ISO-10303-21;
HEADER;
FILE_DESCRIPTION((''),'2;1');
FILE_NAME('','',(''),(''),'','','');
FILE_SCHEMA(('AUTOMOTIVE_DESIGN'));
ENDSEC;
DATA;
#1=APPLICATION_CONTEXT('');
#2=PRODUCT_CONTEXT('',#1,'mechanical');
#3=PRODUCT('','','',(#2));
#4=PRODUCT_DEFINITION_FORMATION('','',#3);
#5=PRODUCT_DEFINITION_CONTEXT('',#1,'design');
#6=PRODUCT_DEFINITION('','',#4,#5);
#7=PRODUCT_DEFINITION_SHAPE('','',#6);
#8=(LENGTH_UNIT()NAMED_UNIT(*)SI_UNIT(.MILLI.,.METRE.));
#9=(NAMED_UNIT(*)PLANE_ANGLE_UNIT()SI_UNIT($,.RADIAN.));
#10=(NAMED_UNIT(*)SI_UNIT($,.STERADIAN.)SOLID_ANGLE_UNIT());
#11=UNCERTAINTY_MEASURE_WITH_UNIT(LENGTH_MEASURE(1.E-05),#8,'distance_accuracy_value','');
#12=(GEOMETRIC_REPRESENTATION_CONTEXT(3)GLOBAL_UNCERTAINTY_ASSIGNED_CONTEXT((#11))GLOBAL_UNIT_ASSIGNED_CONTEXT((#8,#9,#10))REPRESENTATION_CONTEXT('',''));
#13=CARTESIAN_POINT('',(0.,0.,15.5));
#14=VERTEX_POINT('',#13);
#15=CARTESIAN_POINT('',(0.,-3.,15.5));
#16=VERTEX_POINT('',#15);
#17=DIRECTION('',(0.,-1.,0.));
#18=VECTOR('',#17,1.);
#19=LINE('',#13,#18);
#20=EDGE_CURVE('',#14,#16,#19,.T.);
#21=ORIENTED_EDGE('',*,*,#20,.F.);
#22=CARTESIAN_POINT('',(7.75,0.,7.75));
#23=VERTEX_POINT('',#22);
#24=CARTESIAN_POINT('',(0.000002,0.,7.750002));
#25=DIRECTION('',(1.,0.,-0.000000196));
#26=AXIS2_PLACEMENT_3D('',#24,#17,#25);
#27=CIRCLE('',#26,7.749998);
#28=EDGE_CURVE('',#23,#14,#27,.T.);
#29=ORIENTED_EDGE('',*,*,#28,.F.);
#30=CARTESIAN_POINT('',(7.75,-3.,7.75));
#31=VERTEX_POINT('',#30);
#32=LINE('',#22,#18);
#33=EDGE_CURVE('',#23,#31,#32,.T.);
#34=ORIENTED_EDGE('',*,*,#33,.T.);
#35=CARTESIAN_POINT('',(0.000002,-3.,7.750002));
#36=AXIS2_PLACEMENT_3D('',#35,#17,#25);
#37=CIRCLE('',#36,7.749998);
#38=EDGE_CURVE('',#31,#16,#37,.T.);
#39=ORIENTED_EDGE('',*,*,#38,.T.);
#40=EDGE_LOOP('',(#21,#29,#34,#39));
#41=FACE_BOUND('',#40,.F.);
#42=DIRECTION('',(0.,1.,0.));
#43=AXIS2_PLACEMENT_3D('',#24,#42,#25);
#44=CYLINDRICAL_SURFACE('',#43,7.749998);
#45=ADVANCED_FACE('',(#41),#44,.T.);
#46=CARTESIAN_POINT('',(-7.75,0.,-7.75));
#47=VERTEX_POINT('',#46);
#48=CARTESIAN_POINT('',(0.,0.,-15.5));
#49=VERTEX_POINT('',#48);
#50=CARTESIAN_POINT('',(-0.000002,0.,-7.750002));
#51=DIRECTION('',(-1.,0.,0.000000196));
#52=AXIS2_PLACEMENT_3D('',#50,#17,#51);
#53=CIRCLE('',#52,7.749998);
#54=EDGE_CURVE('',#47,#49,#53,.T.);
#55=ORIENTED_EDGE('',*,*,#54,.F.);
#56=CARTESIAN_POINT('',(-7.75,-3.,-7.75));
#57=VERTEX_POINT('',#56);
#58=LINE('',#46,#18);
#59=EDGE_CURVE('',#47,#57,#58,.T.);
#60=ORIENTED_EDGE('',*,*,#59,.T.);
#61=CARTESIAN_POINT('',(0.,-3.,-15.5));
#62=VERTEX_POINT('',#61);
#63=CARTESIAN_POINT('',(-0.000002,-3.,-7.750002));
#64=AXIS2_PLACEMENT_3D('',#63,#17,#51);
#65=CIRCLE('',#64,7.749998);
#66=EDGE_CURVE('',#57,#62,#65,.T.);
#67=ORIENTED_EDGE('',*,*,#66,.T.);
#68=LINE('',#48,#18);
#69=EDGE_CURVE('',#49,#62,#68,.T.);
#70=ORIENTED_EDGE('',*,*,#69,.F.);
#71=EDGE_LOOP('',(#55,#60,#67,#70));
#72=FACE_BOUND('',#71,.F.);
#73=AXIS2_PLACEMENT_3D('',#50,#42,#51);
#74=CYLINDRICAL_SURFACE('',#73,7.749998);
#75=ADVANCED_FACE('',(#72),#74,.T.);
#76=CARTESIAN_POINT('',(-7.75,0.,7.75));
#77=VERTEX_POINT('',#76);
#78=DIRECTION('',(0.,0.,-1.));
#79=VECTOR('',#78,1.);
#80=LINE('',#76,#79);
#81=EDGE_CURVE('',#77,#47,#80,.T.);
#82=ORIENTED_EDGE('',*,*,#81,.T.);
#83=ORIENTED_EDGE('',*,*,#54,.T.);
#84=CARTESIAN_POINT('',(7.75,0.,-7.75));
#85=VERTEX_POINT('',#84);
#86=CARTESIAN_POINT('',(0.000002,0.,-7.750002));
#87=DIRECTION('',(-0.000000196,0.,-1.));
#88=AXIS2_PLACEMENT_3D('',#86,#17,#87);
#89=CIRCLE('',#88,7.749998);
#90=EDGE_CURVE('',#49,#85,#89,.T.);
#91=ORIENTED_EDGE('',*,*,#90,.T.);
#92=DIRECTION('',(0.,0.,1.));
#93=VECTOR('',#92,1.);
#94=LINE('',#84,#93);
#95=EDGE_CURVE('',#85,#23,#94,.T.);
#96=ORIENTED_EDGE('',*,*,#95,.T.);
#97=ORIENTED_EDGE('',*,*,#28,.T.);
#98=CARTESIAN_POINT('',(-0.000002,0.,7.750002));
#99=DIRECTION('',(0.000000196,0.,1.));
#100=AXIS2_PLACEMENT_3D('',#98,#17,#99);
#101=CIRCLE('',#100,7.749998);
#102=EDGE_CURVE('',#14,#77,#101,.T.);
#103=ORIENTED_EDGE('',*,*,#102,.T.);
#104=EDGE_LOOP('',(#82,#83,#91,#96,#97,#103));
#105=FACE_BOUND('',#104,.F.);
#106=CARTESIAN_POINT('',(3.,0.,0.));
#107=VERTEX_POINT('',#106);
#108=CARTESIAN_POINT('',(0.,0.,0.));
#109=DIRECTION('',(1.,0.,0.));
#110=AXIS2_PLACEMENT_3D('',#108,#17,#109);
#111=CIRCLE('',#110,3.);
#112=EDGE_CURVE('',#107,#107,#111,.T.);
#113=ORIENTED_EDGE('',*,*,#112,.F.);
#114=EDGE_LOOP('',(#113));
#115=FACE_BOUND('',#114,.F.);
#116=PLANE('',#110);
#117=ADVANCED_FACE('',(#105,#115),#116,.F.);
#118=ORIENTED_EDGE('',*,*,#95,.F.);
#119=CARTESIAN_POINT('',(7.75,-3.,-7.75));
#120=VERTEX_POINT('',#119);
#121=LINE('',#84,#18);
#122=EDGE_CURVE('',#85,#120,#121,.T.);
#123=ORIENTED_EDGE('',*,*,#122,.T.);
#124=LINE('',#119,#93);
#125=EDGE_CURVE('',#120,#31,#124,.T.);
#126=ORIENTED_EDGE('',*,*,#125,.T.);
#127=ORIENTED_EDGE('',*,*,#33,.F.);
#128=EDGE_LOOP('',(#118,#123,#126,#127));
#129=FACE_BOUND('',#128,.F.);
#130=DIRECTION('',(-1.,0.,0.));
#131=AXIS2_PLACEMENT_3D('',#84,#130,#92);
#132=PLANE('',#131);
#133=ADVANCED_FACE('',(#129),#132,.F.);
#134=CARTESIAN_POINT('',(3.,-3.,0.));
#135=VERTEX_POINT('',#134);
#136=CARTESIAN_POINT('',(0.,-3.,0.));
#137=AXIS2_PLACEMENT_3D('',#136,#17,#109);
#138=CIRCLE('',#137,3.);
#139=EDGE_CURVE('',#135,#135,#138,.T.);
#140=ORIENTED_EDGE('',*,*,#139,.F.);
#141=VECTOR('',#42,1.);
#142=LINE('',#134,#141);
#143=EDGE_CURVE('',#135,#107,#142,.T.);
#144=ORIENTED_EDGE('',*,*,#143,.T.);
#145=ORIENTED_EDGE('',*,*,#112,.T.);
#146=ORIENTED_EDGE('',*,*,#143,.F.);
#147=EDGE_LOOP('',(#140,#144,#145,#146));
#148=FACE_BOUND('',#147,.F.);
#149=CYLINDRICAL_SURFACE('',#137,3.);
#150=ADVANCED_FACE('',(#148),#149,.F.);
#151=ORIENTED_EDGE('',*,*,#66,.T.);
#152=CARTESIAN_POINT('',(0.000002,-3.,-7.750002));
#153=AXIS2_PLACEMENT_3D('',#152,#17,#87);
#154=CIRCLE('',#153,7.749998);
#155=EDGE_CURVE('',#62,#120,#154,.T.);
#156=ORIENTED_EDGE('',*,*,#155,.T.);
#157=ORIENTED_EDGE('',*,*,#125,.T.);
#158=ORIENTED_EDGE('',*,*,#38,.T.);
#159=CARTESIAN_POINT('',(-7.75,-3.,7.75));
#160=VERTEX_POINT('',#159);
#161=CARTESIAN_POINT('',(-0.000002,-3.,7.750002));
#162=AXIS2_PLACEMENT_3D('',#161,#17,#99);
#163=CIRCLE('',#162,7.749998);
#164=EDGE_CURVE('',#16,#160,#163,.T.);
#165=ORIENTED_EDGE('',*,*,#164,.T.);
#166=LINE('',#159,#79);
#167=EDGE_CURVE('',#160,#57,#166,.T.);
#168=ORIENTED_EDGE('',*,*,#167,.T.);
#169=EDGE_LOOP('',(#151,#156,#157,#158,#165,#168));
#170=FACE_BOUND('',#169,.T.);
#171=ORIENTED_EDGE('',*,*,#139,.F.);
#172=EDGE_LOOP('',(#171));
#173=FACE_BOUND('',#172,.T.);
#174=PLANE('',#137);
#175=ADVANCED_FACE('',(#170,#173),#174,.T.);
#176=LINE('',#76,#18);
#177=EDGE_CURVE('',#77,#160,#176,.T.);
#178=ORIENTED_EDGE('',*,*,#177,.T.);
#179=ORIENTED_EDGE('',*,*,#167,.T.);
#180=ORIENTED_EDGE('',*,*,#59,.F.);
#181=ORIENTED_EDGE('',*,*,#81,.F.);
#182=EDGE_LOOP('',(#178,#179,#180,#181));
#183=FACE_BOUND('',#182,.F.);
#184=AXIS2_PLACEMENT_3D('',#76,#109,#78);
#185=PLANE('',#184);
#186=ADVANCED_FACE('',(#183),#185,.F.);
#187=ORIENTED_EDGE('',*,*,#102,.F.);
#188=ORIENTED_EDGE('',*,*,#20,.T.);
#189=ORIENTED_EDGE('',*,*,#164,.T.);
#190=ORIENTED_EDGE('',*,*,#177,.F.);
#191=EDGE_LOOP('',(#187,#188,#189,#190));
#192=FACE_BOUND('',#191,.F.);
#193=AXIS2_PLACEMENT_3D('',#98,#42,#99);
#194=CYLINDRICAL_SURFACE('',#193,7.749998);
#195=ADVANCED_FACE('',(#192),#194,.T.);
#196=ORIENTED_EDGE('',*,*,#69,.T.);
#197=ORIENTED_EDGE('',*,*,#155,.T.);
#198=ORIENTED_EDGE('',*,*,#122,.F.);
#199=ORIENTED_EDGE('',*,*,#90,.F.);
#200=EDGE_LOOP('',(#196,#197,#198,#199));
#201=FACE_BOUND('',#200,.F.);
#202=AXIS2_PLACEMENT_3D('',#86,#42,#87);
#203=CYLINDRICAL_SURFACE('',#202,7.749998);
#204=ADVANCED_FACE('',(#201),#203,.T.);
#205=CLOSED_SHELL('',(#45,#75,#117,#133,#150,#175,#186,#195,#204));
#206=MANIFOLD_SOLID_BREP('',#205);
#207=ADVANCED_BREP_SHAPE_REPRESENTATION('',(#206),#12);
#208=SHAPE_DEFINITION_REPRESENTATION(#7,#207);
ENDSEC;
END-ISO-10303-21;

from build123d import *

# Parameters (mm, degrees)
F1_DEPTH = 3
F2_R     = 3
F3_DEPTH = 25


with BuildPart() as f1:
    # F0 (on Front) → F1 (new body)
    with BuildSketch(Plane.XZ):
        with BuildLine():
            ThreePointArc((0, 15.5), (-5.480078, 13.230078), (-7.75, 7.75))
            Line((-7.75, 7.75), (-7.75, -7.75))
            ThreePointArc((-7.75, -7.75), (-5.480078, -13.230078), (0, -15.5))
            ThreePointArc((0, -15.5), (5.480078, -13.230078), (7.75, -7.75))
            Line((7.75, -7.75), (7.75, 7.75))
            ThreePointArc((7.75, 7.75), (5.480078, 13.230078), (0, 15.5))
        make_face()
    extrude(amount=F1_DEPTH)

    # F2 (on face) → F3 (cut)
    with BuildSketch(Plane.XZ.offset(3)):
        Circle(F2_R)
    extrude(amount=-F3_DEPTH, mode=Mode.SUBTRACT)


solid = f1.part
